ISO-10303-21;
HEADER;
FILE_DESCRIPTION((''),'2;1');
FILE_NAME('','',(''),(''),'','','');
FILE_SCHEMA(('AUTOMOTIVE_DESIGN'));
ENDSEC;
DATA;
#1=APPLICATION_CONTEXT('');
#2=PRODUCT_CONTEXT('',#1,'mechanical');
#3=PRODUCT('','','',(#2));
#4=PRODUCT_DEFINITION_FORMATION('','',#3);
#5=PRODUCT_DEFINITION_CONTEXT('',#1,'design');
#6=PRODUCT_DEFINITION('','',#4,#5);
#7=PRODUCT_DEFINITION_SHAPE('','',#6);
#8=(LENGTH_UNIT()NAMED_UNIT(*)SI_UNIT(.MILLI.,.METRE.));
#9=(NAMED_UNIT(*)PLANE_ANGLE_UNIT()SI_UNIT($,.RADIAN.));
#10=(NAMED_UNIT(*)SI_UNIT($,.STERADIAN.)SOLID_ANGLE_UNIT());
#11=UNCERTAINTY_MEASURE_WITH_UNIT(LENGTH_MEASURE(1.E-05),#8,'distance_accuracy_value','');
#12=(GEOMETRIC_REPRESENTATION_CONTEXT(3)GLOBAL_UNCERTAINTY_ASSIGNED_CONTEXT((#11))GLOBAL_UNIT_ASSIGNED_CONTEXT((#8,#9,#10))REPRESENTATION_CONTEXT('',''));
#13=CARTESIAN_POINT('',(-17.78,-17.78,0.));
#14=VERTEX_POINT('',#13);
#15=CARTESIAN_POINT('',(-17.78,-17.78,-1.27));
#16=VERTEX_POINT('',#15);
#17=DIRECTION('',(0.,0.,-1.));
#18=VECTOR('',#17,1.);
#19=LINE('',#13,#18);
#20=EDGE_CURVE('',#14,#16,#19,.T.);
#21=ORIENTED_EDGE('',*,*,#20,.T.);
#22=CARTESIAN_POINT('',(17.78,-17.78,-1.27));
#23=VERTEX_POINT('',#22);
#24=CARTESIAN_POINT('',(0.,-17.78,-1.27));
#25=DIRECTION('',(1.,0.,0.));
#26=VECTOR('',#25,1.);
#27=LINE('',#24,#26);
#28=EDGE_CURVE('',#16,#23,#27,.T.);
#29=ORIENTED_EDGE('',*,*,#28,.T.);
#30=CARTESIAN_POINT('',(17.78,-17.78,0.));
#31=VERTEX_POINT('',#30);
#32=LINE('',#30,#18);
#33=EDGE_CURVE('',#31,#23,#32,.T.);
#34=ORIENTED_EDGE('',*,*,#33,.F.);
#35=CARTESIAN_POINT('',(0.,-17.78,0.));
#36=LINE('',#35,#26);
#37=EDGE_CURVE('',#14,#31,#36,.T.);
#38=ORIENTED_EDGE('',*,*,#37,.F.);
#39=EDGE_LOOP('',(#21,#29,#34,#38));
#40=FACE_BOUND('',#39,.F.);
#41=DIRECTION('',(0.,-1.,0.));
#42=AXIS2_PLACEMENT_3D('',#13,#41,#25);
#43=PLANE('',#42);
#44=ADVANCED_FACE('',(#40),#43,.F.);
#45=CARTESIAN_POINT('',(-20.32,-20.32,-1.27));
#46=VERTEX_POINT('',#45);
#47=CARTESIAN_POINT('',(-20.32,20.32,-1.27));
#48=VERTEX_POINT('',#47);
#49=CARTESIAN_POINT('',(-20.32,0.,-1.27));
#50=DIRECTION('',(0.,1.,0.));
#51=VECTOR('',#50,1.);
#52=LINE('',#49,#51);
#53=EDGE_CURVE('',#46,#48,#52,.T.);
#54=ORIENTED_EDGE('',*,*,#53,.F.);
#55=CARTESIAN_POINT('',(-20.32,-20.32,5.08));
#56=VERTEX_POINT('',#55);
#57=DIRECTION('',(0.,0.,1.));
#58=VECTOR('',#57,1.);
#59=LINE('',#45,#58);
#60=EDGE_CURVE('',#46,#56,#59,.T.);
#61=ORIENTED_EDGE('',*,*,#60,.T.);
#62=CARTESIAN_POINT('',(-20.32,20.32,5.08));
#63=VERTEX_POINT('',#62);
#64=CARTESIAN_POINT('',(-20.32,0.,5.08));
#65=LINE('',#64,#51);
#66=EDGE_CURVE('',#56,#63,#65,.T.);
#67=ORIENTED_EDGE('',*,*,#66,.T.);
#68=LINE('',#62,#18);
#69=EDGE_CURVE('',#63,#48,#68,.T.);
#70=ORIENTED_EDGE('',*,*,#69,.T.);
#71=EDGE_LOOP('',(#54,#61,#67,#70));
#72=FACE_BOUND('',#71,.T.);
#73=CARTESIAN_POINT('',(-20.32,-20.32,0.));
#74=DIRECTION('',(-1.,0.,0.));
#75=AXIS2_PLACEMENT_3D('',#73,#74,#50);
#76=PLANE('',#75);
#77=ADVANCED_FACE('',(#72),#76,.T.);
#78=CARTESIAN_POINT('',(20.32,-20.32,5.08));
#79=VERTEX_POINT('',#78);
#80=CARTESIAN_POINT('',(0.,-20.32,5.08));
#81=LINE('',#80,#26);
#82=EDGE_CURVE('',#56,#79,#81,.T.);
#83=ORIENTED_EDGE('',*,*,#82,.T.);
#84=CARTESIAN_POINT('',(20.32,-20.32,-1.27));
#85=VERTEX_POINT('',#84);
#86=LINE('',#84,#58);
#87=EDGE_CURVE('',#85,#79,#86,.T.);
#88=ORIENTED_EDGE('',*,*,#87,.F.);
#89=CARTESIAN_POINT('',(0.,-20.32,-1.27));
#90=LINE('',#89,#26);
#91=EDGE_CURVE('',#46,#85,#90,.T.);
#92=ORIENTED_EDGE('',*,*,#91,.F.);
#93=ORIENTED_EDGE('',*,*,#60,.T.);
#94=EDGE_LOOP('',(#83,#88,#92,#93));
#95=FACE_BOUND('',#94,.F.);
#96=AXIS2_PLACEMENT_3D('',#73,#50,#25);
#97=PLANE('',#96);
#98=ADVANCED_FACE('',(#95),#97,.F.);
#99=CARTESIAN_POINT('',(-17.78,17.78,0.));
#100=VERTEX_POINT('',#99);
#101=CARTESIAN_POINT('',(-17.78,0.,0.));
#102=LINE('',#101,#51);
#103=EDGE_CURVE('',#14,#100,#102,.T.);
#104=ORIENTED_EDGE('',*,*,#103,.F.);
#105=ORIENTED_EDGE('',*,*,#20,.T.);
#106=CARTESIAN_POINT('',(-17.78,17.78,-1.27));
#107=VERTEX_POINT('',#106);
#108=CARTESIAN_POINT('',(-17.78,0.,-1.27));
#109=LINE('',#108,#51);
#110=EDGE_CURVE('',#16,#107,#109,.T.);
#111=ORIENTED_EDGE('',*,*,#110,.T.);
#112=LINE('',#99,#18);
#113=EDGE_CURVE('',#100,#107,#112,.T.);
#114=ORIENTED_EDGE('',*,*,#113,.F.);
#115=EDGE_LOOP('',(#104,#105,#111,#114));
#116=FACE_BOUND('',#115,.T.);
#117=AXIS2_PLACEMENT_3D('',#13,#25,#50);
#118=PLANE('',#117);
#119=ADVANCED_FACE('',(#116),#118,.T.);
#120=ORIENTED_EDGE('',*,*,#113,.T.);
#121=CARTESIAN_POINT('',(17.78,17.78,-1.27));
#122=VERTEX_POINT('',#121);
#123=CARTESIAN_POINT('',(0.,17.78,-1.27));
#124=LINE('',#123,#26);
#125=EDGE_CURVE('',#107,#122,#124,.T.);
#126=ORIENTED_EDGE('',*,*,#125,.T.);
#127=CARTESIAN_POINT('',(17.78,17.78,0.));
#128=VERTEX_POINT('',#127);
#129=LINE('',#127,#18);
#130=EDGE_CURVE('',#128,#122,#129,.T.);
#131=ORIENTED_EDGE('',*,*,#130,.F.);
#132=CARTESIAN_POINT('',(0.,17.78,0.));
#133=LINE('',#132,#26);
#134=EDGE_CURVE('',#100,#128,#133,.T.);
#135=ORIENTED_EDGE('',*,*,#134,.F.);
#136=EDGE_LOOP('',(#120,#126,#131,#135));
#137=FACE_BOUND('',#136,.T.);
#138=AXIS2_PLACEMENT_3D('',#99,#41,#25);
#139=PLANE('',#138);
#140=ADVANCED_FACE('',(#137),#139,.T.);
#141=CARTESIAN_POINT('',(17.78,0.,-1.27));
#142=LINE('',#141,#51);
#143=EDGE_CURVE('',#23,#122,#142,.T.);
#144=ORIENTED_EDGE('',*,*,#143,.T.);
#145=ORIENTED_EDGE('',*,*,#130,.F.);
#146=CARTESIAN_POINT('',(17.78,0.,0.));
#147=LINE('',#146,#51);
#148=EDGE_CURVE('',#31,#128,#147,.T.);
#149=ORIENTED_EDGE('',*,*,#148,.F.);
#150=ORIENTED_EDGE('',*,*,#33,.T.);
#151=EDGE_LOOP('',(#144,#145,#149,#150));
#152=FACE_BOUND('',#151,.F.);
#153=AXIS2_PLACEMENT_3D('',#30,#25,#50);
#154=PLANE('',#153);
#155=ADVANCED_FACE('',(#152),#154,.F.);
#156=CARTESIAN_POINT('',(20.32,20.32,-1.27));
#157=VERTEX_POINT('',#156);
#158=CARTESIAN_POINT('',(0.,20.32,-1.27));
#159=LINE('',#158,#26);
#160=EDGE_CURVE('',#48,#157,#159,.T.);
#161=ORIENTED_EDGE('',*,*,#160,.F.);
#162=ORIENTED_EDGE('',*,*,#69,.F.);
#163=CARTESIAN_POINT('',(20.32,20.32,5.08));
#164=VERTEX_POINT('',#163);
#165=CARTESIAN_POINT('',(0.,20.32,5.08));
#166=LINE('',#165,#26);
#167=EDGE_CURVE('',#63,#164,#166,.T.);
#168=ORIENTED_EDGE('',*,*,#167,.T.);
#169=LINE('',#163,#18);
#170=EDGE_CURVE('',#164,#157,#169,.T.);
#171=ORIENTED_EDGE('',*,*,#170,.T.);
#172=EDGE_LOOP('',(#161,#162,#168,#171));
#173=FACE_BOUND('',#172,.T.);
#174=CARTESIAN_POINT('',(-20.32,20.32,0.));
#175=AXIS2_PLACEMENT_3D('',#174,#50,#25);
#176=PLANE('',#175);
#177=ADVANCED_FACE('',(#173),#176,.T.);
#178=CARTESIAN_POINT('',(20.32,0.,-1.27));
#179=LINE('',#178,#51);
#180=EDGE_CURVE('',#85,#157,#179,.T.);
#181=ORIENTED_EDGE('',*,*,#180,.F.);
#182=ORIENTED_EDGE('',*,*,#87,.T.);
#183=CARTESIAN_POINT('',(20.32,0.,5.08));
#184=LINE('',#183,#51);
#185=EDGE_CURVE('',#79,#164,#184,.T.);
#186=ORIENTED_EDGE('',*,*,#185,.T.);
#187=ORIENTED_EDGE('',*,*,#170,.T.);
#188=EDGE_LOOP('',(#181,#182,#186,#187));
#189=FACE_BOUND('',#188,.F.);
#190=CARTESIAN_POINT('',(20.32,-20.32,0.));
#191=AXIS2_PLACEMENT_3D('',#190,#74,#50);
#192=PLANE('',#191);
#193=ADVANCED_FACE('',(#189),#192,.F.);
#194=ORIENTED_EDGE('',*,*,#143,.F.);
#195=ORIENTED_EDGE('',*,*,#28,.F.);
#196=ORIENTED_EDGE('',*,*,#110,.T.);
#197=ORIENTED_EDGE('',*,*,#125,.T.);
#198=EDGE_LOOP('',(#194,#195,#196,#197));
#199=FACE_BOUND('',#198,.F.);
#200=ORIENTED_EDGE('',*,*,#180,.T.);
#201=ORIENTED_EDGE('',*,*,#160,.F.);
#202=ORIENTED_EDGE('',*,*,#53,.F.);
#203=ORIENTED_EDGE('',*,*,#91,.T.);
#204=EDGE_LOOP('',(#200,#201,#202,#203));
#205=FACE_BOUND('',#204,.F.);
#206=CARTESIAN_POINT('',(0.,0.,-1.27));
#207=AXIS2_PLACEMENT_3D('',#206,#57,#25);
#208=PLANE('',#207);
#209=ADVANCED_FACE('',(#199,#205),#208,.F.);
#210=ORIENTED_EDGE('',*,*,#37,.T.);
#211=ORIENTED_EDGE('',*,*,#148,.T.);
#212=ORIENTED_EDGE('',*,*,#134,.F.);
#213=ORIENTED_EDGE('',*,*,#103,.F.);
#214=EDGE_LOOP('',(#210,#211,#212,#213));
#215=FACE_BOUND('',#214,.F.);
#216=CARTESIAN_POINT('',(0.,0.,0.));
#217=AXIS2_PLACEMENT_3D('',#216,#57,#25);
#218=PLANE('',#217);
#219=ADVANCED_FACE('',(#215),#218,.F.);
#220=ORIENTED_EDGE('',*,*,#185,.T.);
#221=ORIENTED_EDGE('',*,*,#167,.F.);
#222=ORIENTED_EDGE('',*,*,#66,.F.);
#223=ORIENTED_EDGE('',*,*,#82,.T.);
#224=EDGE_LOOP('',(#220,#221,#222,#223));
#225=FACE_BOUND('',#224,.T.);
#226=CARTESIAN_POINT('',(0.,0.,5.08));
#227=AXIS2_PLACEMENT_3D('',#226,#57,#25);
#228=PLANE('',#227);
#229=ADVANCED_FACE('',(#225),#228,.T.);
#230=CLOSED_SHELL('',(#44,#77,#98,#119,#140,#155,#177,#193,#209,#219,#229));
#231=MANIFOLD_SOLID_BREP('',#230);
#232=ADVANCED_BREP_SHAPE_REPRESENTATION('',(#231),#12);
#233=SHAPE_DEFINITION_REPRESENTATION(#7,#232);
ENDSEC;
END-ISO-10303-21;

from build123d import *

# Parameters (mm, degrees)
F0_W     = 40.64
F0_H     = 40.64
F0_W_2   = 35.56
F0_H_2   = 35.56
F1_DEPTH = 1.27
F2_W     = 40.64
F2_H     = 40.64
F3_DEPTH = 5.08


with BuildPart() as f1:
    # F0 (on Top) → F1 (new body)
    with BuildSketch(Plane.XY):
        Rectangle(F0_W, F0_H)
        Rectangle(F0_W_2, F0_H_2, mode=Mode.SUBTRACT)
    extrude(amount=-F1_DEPTH)

    # F2 (on Top) → F3 (join)
    with BuildSketch(Plane.XY):
        Rectangle(F2_W, F2_H)
    extrude(amount=F3_DEPTH)


solid = f1.part
